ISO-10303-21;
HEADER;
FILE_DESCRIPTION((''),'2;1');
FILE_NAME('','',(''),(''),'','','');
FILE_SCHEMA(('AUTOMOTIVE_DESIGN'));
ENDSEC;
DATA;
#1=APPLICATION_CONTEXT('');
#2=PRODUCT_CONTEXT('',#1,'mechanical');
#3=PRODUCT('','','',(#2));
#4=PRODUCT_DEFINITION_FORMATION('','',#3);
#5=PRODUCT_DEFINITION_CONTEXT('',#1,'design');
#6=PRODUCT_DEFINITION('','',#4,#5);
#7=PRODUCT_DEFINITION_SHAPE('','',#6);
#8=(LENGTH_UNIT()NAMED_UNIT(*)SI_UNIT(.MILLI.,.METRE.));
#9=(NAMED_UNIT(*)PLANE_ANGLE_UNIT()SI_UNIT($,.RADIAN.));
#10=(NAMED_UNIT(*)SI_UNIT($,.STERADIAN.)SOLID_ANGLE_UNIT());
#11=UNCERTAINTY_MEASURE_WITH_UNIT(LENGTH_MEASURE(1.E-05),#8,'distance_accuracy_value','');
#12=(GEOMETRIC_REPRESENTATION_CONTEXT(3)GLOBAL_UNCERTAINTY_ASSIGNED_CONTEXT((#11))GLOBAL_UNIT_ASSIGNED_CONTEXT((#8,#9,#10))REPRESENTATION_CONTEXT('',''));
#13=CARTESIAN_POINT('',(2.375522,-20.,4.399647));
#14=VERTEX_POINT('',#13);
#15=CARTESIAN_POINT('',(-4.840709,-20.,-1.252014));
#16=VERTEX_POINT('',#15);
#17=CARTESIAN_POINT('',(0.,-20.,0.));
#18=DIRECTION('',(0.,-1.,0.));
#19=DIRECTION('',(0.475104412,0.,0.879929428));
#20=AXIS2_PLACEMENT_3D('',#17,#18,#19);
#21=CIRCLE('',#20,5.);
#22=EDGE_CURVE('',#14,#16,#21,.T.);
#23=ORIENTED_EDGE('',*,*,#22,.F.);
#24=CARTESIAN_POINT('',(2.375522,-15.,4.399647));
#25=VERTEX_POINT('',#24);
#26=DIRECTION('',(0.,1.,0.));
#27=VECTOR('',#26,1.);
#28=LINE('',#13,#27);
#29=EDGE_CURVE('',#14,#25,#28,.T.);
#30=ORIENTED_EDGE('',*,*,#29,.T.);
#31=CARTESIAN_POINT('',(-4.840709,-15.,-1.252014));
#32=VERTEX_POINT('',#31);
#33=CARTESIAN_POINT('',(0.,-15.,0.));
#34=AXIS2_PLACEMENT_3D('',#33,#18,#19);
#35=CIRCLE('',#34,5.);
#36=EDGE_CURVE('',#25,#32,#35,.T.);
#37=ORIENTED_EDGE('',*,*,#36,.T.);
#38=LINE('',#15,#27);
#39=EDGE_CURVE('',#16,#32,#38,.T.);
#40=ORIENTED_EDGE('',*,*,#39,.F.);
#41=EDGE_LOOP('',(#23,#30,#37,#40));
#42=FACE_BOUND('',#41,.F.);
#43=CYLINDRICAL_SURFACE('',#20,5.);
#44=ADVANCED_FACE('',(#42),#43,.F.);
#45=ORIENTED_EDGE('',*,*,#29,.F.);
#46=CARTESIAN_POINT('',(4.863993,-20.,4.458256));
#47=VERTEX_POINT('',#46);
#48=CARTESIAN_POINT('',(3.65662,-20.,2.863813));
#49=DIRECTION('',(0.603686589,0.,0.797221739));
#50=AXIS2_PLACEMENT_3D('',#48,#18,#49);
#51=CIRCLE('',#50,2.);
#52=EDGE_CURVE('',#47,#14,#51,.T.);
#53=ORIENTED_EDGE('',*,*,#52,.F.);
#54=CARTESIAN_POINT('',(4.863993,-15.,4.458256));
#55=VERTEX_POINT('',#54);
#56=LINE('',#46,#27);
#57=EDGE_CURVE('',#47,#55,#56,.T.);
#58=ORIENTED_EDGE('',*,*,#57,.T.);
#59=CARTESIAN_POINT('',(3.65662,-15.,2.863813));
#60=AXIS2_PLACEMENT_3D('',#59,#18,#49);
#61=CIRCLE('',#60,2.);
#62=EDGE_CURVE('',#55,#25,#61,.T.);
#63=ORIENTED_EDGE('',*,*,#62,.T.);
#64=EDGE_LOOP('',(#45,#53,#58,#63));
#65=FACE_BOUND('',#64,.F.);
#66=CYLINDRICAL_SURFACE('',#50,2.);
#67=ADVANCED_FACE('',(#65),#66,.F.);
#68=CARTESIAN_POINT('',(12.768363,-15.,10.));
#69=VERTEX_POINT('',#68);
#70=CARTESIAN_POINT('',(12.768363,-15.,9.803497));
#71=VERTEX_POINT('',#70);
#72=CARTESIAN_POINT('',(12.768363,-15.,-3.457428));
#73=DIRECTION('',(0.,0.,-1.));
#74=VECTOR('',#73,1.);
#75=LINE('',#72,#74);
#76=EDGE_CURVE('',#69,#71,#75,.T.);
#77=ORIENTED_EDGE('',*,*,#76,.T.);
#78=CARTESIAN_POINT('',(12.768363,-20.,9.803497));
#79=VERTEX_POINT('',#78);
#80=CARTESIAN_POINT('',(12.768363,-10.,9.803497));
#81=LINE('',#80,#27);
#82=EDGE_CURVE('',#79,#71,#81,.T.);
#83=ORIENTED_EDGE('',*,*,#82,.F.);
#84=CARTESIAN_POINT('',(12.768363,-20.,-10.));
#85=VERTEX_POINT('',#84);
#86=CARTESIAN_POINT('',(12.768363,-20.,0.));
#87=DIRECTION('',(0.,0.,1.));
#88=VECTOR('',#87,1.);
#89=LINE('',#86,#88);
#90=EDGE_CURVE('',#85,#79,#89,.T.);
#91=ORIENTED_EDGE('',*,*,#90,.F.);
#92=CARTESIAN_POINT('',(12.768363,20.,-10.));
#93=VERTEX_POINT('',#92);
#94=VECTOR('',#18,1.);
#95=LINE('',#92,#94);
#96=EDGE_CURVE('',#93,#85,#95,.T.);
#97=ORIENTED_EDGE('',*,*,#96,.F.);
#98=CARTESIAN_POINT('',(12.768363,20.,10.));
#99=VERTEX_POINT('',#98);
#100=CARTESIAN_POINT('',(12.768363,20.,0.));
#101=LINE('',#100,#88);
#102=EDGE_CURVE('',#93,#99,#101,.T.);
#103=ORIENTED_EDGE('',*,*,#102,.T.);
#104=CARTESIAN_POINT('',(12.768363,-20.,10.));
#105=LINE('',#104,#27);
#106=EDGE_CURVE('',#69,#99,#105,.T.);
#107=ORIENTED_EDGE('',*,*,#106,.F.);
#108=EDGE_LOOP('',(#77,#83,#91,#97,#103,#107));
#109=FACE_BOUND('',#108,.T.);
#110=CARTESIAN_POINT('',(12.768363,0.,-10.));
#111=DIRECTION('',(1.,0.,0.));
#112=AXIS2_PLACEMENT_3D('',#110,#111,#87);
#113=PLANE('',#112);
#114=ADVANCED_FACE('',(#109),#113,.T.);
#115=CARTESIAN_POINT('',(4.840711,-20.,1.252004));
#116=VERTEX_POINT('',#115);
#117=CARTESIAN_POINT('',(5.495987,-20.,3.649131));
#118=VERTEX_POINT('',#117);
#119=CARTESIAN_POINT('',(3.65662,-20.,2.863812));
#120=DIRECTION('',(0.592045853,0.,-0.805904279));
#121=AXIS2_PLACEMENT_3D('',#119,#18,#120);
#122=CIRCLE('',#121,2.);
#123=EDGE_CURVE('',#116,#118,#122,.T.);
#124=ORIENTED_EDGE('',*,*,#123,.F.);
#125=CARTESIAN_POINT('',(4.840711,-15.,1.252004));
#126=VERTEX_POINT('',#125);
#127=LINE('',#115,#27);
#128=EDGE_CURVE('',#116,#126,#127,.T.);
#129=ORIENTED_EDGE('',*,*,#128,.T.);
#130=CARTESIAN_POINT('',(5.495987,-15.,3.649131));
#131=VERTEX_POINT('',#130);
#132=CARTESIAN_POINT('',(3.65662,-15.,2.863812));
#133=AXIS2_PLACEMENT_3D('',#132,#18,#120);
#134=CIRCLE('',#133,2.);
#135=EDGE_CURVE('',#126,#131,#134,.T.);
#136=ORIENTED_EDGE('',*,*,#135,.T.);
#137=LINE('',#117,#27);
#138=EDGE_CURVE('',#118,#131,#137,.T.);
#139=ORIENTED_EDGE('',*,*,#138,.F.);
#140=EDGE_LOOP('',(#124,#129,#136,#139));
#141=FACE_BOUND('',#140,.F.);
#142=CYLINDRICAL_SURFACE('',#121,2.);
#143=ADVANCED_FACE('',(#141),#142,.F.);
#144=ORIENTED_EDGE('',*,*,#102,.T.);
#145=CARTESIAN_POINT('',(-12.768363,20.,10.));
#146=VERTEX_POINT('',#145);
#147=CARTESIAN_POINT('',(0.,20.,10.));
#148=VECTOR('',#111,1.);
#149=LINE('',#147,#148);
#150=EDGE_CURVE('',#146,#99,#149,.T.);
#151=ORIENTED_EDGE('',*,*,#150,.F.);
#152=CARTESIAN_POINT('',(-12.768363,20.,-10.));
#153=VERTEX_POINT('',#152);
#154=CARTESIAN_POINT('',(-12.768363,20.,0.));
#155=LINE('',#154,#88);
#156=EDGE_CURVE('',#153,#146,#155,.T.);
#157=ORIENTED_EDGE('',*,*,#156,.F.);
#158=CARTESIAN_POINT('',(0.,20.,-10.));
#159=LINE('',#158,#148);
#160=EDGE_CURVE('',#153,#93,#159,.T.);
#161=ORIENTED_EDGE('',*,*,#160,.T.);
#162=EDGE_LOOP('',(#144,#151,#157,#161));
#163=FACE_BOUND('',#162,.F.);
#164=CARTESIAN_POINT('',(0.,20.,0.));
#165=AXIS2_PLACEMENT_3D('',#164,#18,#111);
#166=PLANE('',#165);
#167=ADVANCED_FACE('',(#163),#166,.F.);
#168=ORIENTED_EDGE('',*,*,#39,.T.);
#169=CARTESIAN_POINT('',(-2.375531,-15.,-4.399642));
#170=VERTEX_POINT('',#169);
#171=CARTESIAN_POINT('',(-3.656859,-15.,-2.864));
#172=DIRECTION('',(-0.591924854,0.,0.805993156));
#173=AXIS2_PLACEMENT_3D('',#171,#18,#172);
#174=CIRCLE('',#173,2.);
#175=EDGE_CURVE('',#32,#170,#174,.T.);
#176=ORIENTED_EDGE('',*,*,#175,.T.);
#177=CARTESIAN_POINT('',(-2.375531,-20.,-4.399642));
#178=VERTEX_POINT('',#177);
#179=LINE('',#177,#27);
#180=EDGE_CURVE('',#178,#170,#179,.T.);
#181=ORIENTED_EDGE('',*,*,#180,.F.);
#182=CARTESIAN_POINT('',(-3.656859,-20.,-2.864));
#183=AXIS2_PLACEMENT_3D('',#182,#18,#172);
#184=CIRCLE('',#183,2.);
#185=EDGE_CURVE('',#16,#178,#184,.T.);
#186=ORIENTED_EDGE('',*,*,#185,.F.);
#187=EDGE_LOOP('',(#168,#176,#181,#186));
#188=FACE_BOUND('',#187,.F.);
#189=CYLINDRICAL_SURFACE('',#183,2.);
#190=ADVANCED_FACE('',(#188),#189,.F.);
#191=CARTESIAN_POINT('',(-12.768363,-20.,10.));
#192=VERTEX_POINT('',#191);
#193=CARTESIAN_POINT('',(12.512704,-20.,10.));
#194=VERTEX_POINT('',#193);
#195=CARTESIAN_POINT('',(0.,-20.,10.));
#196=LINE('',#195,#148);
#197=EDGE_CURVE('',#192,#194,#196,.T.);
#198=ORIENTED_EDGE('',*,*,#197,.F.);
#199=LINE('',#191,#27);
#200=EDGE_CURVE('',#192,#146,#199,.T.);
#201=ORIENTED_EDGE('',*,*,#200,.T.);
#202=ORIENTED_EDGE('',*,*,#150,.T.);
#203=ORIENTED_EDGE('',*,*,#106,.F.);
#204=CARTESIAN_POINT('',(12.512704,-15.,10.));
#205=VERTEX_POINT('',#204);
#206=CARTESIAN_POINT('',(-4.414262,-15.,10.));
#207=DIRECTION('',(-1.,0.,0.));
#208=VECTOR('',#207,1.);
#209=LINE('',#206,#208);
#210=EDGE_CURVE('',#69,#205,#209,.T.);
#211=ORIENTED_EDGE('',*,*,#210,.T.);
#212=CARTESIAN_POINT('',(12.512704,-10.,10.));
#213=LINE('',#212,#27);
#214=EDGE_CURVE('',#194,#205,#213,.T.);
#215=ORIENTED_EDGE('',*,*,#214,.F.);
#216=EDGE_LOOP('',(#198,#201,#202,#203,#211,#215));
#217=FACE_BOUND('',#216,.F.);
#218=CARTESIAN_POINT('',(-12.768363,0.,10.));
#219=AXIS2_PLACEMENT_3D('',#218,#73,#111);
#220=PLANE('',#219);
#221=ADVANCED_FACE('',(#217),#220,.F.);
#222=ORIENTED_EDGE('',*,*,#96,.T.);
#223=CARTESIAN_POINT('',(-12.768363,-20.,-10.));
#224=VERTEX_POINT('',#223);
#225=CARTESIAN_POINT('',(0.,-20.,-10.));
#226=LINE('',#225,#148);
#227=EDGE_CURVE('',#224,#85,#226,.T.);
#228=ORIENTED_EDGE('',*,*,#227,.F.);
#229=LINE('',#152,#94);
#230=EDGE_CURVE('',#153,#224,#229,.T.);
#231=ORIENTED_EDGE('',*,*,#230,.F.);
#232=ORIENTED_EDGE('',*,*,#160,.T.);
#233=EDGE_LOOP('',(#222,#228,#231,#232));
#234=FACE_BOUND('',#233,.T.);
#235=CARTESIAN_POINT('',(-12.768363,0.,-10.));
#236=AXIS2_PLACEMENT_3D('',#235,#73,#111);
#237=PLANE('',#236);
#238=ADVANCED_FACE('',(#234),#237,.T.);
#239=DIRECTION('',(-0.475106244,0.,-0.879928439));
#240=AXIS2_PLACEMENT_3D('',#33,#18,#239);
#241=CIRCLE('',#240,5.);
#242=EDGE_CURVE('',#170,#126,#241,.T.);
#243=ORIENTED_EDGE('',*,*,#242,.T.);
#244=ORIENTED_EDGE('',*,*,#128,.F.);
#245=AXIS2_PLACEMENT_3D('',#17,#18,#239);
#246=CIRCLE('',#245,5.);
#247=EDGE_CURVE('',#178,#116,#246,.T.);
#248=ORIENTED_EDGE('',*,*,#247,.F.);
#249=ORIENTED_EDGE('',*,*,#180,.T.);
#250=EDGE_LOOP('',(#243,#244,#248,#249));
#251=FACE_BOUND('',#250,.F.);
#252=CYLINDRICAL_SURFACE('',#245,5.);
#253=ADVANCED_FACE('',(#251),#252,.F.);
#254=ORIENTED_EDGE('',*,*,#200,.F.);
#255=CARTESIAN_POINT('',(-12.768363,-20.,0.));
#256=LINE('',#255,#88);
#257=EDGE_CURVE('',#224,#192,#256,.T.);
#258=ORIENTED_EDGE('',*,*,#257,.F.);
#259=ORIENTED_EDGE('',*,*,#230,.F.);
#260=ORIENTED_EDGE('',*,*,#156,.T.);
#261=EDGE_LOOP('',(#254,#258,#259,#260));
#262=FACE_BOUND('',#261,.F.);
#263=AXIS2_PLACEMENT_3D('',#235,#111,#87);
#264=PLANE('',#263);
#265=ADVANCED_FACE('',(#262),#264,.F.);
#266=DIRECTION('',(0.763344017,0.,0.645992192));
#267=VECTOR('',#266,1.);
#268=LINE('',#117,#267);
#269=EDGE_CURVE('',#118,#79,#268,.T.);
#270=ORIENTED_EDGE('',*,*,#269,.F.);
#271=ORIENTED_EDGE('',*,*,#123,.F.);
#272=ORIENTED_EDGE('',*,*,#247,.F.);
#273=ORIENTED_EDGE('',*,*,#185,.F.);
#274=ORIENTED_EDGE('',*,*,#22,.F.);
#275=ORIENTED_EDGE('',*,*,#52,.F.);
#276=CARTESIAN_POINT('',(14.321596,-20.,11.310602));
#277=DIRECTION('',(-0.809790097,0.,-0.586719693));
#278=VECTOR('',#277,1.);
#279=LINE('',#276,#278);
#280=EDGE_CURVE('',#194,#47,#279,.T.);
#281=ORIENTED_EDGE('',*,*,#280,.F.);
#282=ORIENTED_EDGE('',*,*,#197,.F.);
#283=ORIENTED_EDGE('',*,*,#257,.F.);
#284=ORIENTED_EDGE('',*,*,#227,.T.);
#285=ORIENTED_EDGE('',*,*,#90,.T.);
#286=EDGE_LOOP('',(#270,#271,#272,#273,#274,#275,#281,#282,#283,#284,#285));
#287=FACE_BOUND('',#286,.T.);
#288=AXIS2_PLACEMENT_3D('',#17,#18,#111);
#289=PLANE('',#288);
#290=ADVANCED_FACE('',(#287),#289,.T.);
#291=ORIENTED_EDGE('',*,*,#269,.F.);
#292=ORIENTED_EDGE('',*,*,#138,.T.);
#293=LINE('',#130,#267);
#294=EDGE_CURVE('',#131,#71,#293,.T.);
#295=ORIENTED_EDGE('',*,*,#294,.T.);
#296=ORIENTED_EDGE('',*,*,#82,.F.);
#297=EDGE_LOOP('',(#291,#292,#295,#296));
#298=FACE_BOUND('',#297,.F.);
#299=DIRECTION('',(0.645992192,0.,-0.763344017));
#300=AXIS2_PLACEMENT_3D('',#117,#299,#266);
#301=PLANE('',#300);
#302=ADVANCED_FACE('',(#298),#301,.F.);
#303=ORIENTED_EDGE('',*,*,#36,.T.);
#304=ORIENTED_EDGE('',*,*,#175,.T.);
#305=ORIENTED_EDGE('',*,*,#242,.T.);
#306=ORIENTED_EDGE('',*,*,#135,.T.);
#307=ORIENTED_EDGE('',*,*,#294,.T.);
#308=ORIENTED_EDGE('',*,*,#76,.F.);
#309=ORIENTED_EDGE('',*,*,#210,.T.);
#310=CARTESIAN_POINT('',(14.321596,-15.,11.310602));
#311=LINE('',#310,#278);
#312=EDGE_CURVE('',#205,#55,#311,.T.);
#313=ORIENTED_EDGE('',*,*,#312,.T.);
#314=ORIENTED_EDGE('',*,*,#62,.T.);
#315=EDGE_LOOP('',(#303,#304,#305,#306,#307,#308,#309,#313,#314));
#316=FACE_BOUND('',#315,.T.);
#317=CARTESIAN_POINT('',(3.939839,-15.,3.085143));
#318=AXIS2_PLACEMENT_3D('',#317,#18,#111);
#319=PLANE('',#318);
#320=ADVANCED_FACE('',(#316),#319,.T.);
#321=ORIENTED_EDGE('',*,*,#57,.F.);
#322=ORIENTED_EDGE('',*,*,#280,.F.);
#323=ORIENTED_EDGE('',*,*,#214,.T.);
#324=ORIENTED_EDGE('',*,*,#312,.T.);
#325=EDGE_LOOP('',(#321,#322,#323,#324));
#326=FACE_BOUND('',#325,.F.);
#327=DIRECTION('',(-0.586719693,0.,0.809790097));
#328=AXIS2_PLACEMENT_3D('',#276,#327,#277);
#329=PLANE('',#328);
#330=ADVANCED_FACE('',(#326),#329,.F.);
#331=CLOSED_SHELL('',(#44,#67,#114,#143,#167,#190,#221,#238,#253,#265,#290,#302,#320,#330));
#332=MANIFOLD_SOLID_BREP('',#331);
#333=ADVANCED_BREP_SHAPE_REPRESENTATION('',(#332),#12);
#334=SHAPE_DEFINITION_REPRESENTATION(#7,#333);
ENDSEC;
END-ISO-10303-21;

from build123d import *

# Parameters (mm, degrees)
F0_W     = 25.536726
F0_H     = 20
F1_DEPTH = 20
F3_DEPTH = 5


with BuildPart() as f1:
    # F0 (on Front) → F1 (new body, symmetric)
    with BuildSketch(Plane.XZ):
        Rectangle(F0_W, F0_H)
    extrude(amount=F1_DEPTH, both=True)

    # F2 (on face) → F3 (cut)
    with BuildSketch(Plane.XZ.offset(20)):
        with BuildLine():
            ThreePointArc((4.863993, 4.458256), (3.609529, 4.863258), (2.375522, 4.399647))
            ThreePointArc((2.375522, 4.399647), (-3.082954, 3.936419), (-4.840709, -1.252014))
            ThreePointArc((-4.840709, -1.252014), (-5.231428, -4.09718), (-2.375531, -4.399642))
            ThreePointArc((-2.375531, -4.399642), (3.082946, -3.936425), (4.840711, 1.252004))
            ThreePointArc((4.840711, 1.252004), (5.585837, 2.336443), (5.495987, 3.649131))
            Line((5.495987, 3.649131), (14.416598, 11.198342))
            Line((14.416598, 11.198342), (14.321596, 11.310602))
            Line((14.321596, 11.310602), (4.863993, 4.458256))
        make_face()
    extrude(amount=-F3_DEPTH, mode=Mode.SUBTRACT)


solid = f1.part
